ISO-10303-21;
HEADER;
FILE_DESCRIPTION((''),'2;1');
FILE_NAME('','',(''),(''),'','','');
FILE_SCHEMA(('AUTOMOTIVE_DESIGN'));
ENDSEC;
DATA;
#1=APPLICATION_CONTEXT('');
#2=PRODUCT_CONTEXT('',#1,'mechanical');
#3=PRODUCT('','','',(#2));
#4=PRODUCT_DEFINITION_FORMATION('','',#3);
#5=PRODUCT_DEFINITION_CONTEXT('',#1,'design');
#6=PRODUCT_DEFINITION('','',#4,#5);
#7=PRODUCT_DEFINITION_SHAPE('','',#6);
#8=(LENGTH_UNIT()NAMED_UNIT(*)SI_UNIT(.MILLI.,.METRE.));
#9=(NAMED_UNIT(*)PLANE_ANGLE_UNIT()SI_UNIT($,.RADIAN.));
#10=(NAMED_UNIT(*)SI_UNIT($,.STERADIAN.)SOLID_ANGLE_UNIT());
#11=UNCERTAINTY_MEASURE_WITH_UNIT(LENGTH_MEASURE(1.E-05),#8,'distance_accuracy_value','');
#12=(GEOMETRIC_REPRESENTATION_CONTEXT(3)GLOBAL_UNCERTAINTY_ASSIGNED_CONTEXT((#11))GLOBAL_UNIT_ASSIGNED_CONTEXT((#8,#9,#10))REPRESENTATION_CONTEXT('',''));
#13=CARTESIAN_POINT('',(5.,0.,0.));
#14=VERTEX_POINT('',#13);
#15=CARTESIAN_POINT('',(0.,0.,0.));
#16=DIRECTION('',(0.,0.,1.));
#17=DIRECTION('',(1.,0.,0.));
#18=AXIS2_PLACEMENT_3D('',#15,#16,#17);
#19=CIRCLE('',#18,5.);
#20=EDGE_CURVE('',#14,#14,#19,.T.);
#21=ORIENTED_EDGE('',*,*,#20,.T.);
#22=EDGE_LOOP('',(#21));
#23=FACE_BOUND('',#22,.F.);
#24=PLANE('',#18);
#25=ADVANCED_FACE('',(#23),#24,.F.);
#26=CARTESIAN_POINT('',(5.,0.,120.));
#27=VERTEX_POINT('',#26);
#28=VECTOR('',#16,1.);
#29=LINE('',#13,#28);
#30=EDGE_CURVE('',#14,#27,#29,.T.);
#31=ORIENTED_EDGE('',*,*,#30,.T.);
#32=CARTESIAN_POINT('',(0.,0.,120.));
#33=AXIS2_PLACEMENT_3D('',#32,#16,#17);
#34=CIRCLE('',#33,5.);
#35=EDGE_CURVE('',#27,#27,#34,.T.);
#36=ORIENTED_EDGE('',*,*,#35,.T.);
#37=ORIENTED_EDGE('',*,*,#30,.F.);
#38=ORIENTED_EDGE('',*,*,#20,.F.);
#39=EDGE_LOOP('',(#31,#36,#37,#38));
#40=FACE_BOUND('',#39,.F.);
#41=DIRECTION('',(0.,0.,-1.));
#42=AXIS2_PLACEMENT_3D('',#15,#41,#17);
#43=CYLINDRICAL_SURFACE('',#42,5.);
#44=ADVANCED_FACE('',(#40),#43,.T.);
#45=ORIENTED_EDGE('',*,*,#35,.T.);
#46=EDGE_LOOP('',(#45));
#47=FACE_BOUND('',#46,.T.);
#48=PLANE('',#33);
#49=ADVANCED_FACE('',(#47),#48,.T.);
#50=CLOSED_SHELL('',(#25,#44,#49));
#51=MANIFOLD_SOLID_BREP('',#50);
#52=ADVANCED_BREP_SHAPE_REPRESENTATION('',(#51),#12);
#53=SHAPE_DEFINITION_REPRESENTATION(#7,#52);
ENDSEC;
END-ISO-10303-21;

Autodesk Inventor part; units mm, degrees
ref_plane "YZ Plane" through (0, 0, 0) normal (1, 0, 0) x (0, 1, 0)
ref_plane "XZ Plane" through (0, 0, 0) normal (0, 1, 0) x (-1, 0, 0)
ref_plane "XY Plane" through (0, 0, 0) normal (0, 0, 1) x (1, 0, 0)
sketch "草图1" plane through (0, 0, 0) normal (0, 0, 1) x (1, 0, 0)
  circle A0 centre (0, 0) radius 5
  dimension "d0" = 10
extrude "拉伸1" add sketch "草图1" along normal blind 120
properties part number "副轴" material "木材(桦木)"
